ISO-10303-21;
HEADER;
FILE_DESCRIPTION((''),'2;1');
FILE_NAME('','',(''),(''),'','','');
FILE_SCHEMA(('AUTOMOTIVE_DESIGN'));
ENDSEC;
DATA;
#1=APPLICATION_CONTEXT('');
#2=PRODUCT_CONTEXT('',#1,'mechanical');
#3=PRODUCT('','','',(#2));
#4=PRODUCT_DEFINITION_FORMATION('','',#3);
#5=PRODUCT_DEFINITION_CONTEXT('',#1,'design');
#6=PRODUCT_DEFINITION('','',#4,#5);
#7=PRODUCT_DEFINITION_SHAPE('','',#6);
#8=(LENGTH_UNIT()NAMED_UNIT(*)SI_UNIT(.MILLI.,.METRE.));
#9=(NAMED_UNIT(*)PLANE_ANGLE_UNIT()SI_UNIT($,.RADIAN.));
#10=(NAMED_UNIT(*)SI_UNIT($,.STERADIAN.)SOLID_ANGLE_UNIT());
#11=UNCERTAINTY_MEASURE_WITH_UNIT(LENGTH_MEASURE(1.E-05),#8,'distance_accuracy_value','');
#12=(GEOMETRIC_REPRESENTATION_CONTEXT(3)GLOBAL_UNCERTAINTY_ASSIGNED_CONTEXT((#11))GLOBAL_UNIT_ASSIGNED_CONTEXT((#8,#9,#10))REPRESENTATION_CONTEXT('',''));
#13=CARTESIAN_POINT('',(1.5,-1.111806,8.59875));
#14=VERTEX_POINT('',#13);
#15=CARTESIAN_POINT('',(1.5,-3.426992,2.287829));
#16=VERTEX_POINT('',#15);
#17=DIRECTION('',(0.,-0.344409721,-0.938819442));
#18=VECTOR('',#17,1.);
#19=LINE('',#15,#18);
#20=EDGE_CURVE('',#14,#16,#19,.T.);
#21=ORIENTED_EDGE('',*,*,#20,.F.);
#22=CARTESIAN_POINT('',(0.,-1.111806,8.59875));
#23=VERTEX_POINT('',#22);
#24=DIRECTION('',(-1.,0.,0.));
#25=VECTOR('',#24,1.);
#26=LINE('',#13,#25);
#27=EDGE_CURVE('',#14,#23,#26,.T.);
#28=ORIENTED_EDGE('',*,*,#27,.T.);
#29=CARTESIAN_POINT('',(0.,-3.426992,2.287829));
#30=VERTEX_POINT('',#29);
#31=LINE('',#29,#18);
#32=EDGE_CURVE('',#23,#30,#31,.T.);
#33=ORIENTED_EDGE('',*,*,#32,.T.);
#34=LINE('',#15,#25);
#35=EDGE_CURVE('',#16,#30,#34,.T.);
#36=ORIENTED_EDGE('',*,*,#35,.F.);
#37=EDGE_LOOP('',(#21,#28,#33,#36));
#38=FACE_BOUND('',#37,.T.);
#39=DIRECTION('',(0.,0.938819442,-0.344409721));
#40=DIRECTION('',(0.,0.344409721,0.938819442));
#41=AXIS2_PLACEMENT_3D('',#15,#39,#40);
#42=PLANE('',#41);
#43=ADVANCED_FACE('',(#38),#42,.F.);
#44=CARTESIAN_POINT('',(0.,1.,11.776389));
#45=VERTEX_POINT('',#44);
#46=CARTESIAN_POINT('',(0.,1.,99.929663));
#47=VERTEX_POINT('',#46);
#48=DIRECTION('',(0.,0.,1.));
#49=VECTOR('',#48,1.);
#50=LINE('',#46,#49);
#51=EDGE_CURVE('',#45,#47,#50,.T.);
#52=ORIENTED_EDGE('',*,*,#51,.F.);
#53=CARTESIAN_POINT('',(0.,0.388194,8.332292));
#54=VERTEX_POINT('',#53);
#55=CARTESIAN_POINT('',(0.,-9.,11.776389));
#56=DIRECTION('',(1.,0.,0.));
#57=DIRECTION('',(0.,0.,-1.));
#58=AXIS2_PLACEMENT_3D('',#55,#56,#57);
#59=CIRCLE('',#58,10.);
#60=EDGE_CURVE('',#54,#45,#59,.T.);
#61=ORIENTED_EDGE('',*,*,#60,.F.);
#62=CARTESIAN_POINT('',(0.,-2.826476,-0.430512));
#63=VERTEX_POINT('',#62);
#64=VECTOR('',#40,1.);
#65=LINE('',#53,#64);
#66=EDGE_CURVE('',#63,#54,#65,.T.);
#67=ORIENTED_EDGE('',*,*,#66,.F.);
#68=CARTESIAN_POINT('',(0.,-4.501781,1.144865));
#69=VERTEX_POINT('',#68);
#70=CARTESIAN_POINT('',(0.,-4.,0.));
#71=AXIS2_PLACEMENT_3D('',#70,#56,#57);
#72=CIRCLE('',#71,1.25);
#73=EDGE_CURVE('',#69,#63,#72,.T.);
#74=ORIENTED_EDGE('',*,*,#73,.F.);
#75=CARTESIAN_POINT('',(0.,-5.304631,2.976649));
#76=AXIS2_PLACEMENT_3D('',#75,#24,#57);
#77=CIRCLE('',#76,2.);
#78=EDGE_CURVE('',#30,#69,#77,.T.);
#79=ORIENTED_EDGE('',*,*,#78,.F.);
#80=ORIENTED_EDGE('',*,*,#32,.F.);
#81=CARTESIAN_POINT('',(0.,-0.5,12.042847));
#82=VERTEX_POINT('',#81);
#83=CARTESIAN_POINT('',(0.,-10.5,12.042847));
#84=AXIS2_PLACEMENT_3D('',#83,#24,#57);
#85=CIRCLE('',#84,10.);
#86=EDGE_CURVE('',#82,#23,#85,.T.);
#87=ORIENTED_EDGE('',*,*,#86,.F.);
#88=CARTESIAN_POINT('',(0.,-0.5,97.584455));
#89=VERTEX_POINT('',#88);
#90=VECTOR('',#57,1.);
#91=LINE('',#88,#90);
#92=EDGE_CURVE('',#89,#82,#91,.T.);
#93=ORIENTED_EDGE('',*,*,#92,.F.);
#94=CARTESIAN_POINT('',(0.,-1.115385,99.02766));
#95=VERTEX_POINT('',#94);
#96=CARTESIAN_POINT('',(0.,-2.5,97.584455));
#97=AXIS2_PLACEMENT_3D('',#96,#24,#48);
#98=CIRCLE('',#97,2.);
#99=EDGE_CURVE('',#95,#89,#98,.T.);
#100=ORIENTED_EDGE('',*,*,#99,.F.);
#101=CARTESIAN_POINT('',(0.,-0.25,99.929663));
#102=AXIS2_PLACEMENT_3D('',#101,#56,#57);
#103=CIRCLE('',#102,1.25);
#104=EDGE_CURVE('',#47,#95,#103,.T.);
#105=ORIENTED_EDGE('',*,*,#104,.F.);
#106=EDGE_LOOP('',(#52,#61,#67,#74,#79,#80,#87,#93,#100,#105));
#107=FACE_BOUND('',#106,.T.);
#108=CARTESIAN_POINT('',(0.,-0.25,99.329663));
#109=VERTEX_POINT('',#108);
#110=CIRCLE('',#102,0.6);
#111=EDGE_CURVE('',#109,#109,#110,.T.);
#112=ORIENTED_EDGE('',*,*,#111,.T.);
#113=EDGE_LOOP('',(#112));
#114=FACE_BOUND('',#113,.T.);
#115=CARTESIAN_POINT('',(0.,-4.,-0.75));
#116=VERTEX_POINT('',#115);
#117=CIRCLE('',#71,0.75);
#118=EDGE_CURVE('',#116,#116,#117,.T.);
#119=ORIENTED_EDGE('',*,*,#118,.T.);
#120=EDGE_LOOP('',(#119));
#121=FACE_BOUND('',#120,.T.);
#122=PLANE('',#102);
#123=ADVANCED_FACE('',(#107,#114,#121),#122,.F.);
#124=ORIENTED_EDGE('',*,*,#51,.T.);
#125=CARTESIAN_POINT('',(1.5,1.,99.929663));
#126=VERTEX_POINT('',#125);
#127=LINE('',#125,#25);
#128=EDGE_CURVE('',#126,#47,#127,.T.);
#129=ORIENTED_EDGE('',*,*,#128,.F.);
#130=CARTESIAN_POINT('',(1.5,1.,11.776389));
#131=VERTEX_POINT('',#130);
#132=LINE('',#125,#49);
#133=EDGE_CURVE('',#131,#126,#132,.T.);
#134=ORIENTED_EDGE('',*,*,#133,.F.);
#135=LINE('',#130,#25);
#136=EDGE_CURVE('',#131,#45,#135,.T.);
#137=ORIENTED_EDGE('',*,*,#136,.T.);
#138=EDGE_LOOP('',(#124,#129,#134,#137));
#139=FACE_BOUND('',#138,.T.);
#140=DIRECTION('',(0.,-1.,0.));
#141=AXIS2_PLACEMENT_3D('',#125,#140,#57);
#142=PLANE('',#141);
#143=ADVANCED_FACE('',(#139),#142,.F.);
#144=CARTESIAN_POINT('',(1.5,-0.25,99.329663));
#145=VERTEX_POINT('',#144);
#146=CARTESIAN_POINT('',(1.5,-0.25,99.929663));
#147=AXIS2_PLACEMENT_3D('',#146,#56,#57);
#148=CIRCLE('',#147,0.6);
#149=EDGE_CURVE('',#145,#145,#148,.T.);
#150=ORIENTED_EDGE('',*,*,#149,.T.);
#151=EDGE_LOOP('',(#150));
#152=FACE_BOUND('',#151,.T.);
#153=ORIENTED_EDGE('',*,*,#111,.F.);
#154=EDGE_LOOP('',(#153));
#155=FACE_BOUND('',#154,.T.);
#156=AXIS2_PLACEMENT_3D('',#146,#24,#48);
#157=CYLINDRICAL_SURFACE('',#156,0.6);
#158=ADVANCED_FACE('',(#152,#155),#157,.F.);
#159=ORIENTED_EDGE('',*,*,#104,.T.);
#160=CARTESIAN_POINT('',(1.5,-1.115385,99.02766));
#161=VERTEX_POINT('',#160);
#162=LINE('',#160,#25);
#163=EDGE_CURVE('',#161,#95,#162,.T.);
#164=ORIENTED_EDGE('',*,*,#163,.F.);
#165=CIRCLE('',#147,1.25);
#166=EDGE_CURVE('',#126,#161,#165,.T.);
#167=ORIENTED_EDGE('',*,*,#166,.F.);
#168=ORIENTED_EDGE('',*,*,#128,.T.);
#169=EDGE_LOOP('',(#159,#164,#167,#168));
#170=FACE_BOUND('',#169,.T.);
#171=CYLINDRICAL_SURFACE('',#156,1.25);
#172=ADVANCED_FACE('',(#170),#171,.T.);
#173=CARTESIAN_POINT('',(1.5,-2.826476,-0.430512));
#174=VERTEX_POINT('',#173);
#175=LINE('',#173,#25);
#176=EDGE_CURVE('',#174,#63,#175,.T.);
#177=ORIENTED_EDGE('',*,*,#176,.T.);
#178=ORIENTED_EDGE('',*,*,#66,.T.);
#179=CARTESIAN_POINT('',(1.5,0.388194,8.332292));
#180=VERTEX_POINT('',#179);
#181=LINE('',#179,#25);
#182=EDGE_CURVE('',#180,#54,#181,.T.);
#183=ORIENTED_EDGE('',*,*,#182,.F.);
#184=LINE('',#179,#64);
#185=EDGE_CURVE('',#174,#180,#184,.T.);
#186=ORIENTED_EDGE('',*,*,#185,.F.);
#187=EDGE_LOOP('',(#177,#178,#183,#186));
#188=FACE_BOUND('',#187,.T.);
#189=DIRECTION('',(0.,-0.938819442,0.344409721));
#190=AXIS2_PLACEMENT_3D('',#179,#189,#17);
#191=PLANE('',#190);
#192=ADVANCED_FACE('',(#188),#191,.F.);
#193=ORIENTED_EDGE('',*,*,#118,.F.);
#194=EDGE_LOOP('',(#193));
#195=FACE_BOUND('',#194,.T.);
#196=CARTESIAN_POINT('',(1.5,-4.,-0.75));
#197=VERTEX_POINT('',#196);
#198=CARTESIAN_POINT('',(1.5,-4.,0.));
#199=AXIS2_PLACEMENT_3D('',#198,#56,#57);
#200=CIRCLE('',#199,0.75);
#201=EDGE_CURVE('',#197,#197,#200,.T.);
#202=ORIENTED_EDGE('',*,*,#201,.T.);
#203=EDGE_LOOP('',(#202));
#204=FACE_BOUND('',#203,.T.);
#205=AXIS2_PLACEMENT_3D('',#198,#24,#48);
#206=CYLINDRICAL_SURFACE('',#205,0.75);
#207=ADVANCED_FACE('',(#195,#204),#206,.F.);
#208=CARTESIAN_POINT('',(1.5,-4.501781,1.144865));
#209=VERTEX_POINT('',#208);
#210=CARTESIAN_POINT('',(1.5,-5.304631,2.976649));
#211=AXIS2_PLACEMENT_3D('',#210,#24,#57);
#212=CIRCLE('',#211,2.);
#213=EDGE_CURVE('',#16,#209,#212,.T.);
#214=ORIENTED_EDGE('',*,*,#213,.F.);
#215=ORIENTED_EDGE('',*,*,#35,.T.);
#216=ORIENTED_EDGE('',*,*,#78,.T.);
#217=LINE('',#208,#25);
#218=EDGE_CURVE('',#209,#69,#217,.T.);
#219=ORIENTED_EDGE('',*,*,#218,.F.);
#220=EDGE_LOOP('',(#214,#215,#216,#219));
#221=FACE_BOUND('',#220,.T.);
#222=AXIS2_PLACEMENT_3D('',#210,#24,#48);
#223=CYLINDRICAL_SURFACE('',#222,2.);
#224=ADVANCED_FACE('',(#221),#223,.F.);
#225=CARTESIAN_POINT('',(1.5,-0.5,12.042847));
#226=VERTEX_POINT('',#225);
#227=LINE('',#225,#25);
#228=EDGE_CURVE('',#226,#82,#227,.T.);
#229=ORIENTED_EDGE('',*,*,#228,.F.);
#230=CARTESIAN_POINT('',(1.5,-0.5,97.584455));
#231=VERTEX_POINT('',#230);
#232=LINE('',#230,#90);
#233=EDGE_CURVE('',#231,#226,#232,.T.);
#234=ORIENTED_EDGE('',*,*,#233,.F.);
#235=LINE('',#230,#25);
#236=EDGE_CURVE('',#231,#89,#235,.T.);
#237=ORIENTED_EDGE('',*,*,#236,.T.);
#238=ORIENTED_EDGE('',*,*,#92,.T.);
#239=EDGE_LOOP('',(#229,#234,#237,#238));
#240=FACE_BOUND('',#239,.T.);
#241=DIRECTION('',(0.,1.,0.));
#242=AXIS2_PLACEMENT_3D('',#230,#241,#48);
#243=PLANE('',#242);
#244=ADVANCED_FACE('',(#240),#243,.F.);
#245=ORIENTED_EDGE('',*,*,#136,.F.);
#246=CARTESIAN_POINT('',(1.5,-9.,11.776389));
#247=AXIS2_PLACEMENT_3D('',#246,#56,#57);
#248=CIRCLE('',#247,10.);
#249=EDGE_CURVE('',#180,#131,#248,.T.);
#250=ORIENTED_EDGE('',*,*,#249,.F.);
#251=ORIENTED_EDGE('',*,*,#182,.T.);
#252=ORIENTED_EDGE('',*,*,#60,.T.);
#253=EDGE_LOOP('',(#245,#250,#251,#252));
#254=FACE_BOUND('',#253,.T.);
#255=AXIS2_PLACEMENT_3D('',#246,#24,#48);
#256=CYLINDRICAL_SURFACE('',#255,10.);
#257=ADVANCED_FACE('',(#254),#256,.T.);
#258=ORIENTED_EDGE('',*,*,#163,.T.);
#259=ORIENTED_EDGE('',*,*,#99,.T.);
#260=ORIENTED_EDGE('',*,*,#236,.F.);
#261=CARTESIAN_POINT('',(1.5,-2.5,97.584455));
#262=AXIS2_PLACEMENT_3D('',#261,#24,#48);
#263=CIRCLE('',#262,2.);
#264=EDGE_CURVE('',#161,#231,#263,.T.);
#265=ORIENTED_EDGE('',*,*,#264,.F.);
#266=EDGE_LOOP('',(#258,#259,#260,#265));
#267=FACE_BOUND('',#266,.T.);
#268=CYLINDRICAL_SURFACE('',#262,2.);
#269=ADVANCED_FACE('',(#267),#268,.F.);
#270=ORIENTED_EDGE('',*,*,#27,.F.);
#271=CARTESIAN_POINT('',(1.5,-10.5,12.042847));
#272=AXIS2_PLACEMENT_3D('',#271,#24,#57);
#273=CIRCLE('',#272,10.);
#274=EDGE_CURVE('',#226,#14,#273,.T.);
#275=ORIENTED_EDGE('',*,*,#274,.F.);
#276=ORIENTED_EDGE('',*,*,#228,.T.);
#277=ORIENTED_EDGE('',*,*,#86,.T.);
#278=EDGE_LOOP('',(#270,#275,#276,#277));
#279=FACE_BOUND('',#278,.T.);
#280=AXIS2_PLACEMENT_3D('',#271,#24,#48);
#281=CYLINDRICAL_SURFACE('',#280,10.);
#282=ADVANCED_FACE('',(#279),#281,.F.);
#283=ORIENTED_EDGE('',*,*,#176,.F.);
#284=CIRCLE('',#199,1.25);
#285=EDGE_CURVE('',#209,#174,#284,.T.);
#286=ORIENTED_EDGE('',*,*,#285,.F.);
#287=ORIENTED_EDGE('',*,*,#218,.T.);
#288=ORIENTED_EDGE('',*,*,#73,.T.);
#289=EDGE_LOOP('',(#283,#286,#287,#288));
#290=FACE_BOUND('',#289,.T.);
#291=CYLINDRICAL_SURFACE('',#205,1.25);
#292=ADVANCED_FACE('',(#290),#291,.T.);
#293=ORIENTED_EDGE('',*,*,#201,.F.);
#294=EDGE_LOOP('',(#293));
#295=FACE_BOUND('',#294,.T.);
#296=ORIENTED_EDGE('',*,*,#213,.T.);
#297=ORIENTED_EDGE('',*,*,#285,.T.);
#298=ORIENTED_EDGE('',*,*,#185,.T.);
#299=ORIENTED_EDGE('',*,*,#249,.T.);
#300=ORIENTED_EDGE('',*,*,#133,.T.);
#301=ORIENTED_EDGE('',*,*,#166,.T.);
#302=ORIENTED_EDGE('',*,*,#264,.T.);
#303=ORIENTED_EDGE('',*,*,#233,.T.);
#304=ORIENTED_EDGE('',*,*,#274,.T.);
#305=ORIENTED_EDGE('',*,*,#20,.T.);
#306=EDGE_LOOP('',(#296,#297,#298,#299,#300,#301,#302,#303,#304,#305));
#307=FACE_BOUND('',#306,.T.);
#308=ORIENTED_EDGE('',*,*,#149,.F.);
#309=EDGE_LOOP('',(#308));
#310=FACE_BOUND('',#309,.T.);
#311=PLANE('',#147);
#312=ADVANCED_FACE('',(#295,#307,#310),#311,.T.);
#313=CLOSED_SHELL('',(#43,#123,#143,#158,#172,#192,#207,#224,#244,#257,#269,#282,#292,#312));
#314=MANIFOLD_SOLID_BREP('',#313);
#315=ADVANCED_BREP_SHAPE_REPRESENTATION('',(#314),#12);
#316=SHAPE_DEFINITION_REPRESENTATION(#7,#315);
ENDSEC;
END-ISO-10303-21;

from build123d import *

# Parameters (mm, degrees)
SCHIZZO2_R                   = 0.6
SCHIZZO2_R_2                 = 0.75
ESTRUSIONE_ESTRUSIONE1_DEPTH = 1.5


with BuildPart() as part:
    # Schizzo2 → Estrusione-Estrusione1 (new body)
    with BuildSketch(Plane(origin=(0, 0, 0), x_dir=(0, 0, -1), z_dir=(1, 0, 0))):
        with BuildLine():
            Line((-8.332291626, 0.388194417), (0.430512151, -2.826475698))
            ThreePointArc((0.430512151, -2.826475698), (0.910624595, -4.856307682), (-1.144864856, -4.501781289))
            ThreePointArc((-1.144864856, -4.501781289), (-1.606556333, -3.847632001), (-2.287829183, -3.426992469))
            Line((-2.287829183, -3.426992469), (-8.598749951, -1.111805583))
            ThreePointArc((-8.598749951, -1.111805583), (-10.293839466, -0.654139343), (-12.04284716, -0.5))
            Line((-12.04284716, -0.5), (-97.584454883, -0.5))
            ThreePointArc((-97.584454883, -0.5), (-98.368919424, -0.660267578), (-99.027659733, -1.115384615))
            ThreePointArc((-99.027659733, -1.115384615), (-101.079495527, -0.740290338), (-99.929662763, 1))
            Line((-99.929662763, 1), (-11.776388835, 1))
            ThreePointArc((-11.776388835, 1), (-10.027381141, 0.845860657), (-8.332291626, 0.388194417))
        make_face()
        with Locations((-99.929662763, -0.25)):
            Circle(SCHIZZO2_R, mode=Mode.SUBTRACT)
        with Locations((0, -4)):
            Circle(SCHIZZO2_R_2, mode=Mode.SUBTRACT)
    extrude(amount=ESTRUSIONE_ESTRUSIONE1_DEPTH)


solid = part.part
